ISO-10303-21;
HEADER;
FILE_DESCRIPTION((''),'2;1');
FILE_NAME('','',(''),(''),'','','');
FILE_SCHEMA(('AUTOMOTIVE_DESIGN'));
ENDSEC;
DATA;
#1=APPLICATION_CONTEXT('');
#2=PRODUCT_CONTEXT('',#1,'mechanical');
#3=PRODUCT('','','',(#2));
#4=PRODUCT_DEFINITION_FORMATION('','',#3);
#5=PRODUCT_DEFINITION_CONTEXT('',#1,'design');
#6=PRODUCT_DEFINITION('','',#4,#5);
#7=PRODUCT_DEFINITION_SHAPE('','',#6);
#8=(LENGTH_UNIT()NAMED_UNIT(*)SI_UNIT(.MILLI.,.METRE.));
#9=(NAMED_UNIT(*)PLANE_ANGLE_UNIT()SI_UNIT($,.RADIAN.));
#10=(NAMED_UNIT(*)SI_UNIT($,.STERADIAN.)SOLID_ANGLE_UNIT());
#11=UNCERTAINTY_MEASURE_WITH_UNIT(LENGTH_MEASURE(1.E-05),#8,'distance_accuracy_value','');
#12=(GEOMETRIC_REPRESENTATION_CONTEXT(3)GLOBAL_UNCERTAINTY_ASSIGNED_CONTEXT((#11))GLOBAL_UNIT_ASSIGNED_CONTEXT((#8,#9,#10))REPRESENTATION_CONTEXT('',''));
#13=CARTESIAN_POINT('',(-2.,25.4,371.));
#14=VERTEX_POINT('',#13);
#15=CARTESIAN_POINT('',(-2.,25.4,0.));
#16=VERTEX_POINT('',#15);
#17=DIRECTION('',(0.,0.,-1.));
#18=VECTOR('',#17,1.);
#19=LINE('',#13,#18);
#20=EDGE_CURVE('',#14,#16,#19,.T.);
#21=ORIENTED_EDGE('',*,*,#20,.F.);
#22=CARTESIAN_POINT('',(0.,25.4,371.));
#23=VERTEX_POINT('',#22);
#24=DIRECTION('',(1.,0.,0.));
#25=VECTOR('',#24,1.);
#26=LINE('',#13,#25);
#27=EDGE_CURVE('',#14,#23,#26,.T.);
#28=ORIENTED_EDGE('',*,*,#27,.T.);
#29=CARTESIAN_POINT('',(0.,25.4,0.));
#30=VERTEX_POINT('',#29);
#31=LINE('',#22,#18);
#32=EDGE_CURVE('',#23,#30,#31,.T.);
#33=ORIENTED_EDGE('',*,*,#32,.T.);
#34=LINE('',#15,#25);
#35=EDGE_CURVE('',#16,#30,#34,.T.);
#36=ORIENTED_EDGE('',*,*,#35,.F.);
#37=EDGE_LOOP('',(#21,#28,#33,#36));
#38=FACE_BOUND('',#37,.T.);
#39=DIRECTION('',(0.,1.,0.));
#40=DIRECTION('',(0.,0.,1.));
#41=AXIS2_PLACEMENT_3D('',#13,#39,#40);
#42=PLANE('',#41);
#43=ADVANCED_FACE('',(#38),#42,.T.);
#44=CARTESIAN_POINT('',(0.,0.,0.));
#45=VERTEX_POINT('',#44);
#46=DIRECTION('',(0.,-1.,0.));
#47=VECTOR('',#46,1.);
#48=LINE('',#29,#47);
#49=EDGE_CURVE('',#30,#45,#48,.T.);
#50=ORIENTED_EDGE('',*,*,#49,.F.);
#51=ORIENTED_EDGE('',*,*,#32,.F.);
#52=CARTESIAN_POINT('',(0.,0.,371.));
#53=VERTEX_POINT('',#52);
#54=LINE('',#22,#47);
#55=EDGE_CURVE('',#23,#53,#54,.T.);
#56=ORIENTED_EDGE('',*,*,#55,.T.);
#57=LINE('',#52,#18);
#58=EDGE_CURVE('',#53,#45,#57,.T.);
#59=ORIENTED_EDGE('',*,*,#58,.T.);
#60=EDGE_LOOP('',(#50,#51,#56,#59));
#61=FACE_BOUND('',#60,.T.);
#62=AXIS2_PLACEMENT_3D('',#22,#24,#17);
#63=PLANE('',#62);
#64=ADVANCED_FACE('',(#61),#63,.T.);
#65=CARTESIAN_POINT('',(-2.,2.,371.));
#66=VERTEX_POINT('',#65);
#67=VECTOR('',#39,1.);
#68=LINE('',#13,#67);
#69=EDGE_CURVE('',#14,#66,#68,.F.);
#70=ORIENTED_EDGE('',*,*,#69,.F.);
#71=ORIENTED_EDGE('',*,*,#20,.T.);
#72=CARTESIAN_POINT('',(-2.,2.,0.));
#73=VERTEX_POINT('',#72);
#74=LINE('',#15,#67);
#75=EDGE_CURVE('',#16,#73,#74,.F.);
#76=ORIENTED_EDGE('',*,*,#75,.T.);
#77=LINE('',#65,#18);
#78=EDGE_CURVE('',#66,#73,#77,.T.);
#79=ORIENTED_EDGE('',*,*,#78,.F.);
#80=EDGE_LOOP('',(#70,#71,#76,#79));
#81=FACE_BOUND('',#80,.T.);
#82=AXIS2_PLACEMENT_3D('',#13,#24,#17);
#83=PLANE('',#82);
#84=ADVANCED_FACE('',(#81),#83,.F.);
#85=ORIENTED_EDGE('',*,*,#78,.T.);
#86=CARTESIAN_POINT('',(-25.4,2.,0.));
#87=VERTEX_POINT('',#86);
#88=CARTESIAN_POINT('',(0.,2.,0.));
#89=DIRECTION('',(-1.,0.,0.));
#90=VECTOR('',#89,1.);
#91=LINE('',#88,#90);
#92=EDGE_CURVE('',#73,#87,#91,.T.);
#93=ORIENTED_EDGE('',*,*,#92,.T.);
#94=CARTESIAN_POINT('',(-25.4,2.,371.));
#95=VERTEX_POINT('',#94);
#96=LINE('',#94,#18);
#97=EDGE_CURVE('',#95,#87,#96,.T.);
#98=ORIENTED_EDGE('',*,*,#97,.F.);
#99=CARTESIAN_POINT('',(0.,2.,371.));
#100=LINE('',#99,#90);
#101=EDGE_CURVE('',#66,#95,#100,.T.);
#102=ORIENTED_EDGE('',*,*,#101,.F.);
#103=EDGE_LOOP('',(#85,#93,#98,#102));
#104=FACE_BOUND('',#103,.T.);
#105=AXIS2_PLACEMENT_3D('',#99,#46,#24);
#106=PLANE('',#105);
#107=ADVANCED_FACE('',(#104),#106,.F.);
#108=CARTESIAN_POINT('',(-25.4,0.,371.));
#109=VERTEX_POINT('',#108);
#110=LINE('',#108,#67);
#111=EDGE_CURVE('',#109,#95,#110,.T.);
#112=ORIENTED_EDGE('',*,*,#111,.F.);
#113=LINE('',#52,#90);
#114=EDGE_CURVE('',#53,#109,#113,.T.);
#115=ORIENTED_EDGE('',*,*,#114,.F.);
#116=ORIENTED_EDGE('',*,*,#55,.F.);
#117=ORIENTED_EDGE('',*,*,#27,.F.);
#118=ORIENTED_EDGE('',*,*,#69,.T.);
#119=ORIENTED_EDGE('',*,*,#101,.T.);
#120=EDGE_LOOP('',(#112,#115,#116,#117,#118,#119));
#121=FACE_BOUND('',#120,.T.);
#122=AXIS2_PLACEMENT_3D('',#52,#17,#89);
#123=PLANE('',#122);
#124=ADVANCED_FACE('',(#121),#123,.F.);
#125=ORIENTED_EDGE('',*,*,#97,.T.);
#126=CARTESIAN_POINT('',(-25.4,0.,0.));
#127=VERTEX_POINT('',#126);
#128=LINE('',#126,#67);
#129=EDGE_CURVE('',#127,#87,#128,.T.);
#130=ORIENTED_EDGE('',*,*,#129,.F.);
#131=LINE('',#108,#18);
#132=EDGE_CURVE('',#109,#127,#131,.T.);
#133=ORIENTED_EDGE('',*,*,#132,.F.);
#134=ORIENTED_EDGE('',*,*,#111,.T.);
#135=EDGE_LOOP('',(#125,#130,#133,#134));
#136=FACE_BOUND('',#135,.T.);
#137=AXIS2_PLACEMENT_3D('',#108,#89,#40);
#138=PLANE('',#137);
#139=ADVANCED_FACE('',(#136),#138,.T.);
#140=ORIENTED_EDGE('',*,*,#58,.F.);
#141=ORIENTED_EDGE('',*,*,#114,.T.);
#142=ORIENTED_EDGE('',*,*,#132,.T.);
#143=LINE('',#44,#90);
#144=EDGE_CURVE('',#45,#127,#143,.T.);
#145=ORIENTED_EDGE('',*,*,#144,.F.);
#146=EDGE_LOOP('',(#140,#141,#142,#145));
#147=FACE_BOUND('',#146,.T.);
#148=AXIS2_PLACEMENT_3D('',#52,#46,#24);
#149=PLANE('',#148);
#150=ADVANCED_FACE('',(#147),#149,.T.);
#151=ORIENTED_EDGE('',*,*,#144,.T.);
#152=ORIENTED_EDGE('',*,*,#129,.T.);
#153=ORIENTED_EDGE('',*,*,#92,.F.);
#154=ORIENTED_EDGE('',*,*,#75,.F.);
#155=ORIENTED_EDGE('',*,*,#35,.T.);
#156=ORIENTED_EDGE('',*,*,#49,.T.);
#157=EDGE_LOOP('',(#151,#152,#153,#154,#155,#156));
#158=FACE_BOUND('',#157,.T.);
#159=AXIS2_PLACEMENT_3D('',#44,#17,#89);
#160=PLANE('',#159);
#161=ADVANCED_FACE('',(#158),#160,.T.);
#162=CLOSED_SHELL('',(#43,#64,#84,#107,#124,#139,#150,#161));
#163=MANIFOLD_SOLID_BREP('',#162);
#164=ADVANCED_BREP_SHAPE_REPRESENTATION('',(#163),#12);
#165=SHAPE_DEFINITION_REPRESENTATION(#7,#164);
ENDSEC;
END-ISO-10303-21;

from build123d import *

# Parameters (mm, degrees)
EXTRUDE_THIN1_DEPTH = 371


with BuildPart() as part:
    # Sketch1 → Extrude-Thin1 (new body)
    with BuildSketch(Plane.XY):
        Polygon((0, 25.4), (0, 0), (-25.4, 0), (-25.4, 2), (-2, 2), (-2, 25.4), align=None)
    extrude(amount=EXTRUDE_THIN1_DEPTH)


solid = part.part
